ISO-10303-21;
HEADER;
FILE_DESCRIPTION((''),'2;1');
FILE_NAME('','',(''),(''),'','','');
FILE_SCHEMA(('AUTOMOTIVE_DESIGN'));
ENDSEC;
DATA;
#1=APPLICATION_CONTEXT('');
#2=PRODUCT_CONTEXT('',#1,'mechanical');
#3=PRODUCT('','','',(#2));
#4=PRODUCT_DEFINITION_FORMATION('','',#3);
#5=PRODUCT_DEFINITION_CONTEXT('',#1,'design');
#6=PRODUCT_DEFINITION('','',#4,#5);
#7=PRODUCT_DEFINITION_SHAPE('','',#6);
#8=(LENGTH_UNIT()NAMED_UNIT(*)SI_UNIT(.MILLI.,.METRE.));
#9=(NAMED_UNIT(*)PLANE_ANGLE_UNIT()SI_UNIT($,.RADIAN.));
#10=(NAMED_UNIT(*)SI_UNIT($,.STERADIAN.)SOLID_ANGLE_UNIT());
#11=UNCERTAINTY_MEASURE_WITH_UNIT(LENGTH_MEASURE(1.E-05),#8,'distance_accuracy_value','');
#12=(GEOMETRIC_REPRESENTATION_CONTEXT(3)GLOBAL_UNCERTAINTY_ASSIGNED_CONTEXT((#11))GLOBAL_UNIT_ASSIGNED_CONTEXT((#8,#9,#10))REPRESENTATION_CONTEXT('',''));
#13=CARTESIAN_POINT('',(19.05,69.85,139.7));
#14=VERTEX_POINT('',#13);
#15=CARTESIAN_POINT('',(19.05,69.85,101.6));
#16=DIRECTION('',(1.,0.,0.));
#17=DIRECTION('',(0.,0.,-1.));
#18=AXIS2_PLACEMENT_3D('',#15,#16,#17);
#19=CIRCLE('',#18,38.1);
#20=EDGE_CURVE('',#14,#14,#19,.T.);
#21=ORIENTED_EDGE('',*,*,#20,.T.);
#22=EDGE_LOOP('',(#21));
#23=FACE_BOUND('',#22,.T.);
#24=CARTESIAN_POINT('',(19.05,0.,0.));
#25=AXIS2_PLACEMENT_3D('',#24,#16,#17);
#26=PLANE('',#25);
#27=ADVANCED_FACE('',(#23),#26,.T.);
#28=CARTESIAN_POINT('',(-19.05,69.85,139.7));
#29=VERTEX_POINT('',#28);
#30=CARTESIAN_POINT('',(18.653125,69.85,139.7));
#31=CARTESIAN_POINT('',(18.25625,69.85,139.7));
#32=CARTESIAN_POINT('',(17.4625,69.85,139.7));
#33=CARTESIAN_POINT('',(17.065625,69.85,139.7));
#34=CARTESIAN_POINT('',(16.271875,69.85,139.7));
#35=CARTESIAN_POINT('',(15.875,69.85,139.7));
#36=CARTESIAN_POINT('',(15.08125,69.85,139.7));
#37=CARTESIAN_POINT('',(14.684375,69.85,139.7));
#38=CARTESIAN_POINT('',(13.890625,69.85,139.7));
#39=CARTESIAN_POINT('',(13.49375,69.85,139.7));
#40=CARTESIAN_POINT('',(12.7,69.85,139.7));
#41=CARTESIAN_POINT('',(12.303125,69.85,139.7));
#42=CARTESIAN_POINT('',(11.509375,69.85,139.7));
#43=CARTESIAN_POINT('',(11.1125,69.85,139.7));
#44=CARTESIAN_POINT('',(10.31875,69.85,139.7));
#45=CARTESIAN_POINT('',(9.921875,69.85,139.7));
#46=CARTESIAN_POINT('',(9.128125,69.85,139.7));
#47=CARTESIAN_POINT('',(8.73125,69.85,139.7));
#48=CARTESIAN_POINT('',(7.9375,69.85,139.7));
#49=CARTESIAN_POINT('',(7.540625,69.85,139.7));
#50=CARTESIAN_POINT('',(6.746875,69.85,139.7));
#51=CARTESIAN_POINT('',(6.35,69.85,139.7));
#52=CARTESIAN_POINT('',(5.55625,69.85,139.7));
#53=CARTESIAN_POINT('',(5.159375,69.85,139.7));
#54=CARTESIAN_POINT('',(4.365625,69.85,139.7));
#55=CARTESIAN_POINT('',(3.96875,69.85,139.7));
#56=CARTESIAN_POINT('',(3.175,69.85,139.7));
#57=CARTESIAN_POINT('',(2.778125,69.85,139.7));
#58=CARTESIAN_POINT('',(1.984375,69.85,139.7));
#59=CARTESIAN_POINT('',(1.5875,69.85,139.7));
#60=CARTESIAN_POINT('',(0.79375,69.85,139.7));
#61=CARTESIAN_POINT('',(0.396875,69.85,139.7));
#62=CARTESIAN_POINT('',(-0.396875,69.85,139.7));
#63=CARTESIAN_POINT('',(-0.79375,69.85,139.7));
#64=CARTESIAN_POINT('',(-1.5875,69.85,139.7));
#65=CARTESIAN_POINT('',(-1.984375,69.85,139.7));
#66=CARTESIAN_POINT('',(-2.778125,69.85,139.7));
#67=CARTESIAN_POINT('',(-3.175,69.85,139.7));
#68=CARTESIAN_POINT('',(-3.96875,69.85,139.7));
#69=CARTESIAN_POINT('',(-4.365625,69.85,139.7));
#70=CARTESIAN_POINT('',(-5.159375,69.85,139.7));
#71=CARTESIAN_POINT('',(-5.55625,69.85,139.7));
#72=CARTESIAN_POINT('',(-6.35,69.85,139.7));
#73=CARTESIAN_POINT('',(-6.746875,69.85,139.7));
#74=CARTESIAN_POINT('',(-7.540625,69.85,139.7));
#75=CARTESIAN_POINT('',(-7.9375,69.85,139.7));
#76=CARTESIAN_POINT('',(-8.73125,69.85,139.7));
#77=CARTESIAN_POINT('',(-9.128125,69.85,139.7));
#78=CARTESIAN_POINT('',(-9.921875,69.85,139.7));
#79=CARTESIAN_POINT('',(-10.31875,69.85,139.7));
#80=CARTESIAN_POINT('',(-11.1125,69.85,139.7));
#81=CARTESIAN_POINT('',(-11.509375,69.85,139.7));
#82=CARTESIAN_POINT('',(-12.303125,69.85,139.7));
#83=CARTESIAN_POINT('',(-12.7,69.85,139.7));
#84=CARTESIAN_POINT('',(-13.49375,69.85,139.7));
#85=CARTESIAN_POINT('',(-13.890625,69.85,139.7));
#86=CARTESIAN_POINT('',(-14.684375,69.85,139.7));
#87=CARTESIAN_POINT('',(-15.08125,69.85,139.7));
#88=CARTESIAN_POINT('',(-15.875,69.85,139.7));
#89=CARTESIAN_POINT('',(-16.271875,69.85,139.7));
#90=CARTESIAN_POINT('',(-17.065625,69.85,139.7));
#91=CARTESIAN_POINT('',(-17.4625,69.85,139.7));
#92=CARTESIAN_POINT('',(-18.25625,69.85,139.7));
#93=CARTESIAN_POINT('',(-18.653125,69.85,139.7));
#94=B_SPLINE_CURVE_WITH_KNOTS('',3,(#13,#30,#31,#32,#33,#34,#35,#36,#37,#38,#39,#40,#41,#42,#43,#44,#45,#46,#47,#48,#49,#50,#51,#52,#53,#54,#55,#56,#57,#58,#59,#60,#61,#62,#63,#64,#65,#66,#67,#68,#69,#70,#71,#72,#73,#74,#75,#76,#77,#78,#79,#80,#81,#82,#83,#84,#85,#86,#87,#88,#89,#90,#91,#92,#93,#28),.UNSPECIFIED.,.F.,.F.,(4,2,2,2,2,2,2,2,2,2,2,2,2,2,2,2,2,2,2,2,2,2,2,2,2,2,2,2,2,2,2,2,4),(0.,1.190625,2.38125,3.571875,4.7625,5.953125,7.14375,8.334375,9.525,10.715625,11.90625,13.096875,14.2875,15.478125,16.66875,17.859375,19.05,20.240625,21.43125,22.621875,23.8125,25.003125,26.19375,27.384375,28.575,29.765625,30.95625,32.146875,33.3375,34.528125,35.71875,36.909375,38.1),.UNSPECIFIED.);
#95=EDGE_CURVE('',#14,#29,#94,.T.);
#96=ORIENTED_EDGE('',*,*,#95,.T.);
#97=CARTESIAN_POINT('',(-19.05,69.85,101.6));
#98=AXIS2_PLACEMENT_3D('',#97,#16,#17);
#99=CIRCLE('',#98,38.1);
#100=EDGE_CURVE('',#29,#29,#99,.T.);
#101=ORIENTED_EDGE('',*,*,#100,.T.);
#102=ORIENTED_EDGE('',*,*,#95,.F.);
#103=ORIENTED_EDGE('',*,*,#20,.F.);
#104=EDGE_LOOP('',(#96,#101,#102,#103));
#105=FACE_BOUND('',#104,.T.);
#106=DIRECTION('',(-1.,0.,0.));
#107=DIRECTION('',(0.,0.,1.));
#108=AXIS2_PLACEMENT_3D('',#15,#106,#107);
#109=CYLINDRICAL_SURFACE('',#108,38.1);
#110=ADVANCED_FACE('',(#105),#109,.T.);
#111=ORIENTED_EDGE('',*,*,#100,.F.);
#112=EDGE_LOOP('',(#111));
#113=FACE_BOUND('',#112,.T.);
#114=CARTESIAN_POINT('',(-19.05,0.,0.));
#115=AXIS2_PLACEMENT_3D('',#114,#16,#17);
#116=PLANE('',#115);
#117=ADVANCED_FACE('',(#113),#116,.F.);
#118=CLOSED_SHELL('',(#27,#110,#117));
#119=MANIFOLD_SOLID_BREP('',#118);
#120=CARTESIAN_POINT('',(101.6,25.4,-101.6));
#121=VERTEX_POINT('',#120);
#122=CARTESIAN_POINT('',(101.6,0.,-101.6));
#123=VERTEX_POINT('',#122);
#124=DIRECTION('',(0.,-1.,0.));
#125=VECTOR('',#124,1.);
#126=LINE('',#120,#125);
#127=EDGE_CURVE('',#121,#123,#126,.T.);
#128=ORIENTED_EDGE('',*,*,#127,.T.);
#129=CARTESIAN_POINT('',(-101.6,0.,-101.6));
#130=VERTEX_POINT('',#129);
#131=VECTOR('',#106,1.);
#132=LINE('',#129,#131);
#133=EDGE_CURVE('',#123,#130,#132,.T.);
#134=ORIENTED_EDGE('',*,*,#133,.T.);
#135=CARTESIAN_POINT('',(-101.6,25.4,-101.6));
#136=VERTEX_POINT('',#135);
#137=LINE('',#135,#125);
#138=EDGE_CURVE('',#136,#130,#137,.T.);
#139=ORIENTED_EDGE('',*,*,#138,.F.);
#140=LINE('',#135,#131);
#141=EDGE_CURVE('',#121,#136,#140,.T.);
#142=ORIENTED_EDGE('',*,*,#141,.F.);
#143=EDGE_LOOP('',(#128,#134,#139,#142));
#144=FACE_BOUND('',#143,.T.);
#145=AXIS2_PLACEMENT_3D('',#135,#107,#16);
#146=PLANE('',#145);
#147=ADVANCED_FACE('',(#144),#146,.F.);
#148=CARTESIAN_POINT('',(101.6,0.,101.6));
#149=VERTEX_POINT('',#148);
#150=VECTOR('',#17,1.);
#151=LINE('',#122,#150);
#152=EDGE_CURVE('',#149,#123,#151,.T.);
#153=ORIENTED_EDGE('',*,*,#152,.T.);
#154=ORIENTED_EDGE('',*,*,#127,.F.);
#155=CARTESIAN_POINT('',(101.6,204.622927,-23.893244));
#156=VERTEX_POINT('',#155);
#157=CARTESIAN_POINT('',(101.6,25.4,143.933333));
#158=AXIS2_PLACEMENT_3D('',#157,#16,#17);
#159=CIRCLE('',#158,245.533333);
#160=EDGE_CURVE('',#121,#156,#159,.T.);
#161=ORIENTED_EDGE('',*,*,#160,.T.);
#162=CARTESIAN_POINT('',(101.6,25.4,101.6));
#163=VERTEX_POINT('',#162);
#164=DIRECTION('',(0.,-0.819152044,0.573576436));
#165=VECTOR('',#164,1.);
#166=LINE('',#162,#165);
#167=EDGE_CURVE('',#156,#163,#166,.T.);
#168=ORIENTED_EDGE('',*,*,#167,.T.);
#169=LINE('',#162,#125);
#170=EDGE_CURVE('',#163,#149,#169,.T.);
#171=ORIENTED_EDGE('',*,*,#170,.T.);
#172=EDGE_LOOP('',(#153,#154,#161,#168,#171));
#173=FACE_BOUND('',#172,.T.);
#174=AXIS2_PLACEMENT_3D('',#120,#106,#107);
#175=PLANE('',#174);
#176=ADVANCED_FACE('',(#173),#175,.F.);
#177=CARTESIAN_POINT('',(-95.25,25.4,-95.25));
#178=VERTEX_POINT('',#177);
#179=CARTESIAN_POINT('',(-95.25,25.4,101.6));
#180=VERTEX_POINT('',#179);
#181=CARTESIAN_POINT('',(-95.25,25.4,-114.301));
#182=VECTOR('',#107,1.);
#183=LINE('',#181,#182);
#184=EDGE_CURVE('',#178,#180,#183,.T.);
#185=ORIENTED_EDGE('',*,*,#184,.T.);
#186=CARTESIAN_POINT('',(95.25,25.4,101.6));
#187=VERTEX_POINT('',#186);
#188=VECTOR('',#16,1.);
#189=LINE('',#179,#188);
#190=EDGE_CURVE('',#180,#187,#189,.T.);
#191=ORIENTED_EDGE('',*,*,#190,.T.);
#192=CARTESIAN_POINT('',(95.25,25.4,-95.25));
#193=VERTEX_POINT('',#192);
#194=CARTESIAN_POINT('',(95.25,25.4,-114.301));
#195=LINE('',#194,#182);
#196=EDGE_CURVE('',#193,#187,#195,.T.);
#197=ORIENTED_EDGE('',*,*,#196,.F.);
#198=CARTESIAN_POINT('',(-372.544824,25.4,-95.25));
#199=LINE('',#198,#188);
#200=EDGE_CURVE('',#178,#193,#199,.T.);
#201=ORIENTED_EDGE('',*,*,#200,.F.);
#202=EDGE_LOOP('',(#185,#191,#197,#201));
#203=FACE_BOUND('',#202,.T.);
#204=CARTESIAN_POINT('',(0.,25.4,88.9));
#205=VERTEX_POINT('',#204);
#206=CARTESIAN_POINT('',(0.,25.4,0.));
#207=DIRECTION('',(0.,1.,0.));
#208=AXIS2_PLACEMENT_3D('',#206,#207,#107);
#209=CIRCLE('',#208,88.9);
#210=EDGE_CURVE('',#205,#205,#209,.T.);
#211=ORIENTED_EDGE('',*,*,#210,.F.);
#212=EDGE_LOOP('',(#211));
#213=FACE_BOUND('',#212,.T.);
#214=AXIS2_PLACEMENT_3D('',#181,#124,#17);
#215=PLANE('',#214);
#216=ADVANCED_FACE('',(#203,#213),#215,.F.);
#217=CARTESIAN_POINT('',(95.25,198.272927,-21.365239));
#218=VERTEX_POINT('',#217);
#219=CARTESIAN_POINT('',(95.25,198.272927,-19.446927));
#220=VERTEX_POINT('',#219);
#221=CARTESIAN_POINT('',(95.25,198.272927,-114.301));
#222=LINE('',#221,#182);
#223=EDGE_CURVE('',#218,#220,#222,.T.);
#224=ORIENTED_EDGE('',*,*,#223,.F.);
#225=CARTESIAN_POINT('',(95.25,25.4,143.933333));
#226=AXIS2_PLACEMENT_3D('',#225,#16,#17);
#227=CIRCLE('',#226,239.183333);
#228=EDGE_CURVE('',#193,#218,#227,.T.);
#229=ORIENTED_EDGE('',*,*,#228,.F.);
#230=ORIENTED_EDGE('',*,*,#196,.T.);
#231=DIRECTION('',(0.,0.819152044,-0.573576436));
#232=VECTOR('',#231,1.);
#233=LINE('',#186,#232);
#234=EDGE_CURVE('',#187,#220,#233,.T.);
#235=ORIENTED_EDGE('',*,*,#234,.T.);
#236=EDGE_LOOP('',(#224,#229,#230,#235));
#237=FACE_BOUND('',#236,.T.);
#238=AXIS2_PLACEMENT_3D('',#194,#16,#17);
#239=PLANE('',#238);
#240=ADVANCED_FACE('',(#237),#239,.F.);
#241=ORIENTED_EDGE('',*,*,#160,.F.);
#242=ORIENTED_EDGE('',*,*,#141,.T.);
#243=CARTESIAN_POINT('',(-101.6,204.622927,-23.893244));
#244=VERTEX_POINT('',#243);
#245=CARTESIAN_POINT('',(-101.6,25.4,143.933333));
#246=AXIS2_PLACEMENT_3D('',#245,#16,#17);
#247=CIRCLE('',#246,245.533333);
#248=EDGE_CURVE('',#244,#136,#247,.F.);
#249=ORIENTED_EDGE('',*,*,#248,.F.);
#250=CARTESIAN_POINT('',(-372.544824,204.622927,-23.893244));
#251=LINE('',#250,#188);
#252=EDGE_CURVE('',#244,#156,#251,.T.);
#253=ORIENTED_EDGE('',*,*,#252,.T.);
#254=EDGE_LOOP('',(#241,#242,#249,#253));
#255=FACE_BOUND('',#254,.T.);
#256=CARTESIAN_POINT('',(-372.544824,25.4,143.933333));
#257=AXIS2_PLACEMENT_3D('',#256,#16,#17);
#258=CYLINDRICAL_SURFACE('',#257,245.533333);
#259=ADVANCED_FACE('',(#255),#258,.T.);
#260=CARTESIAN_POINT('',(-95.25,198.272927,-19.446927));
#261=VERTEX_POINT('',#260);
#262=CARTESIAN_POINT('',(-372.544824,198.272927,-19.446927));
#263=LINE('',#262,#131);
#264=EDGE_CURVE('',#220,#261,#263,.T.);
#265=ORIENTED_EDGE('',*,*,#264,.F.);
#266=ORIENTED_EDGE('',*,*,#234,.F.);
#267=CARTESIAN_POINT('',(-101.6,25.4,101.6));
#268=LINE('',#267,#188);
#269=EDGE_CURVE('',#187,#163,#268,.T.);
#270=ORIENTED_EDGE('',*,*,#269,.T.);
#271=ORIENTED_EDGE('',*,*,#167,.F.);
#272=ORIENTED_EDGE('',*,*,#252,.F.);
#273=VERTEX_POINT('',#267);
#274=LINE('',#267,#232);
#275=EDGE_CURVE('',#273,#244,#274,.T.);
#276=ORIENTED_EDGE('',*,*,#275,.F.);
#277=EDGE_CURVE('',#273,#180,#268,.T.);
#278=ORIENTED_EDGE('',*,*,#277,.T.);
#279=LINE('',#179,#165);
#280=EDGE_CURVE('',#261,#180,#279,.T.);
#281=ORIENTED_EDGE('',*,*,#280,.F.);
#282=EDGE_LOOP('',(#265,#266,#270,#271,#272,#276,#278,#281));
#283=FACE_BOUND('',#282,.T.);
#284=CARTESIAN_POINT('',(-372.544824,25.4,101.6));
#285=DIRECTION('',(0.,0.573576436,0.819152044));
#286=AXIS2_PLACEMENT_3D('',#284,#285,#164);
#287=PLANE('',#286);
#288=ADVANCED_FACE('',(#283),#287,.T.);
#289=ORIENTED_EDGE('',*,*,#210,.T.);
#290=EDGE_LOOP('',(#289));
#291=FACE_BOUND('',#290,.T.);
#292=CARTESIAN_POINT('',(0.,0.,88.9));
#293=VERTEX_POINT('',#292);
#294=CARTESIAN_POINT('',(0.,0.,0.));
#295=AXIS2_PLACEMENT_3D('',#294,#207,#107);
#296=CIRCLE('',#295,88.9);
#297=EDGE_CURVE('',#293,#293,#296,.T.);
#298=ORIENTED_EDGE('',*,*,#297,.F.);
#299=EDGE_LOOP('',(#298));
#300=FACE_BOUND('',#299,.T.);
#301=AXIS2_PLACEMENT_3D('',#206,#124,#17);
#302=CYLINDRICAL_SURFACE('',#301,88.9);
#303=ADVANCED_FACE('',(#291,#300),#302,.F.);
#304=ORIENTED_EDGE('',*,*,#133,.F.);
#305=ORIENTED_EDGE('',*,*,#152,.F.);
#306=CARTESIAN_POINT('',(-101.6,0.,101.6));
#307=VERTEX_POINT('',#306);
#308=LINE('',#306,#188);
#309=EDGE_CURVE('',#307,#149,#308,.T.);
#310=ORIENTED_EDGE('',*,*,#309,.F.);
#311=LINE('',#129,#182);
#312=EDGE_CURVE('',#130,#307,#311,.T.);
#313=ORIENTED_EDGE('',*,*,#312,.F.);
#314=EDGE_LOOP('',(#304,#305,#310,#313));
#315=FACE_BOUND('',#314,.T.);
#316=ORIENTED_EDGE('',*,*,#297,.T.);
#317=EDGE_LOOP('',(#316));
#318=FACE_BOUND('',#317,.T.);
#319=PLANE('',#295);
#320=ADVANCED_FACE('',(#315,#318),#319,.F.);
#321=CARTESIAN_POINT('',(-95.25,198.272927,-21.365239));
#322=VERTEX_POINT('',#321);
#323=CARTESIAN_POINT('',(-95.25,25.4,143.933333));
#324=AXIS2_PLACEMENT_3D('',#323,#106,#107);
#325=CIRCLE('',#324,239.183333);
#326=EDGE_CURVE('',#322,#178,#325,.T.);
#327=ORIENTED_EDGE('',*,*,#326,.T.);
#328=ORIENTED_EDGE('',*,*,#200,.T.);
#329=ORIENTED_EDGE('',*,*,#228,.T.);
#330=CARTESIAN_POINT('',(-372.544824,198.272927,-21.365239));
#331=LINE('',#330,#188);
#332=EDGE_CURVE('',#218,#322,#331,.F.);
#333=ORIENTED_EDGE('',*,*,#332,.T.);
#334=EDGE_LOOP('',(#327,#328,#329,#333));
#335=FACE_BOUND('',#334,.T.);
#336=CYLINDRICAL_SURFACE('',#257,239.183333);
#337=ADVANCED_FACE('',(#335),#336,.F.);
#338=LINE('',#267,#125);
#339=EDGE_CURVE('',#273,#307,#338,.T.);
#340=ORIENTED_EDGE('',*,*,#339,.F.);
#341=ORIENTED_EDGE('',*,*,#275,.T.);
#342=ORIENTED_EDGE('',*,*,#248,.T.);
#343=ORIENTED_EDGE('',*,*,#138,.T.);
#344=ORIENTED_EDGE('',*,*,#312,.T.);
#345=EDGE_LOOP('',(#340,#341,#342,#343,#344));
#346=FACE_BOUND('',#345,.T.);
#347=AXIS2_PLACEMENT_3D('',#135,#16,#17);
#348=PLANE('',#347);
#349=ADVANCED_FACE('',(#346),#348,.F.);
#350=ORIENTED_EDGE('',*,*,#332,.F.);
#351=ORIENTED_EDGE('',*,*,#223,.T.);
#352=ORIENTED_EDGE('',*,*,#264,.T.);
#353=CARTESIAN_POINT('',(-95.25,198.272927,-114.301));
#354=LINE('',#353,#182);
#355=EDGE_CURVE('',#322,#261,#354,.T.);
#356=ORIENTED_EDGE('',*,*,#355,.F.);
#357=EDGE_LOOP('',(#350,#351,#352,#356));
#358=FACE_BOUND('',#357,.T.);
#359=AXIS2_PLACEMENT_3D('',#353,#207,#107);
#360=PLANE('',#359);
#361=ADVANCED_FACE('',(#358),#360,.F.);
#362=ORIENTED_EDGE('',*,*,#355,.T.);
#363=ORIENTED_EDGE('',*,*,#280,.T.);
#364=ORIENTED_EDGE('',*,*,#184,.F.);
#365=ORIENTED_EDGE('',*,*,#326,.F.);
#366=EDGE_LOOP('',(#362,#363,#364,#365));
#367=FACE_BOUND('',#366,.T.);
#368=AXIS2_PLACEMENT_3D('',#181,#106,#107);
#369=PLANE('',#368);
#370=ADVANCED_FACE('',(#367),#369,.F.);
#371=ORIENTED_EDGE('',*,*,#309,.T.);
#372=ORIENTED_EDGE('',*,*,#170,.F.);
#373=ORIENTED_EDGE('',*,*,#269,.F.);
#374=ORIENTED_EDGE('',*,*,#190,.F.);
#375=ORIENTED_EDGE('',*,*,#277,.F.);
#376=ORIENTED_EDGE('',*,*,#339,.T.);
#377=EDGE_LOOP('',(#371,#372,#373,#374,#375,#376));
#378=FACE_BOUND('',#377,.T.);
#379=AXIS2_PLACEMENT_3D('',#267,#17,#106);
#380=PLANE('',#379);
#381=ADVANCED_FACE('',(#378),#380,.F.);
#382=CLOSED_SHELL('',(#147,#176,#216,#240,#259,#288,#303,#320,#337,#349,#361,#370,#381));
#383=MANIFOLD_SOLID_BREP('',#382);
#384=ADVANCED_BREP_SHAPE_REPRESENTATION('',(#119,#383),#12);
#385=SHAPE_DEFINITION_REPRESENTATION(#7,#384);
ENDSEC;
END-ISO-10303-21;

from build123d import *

# Parameters (mm, degrees)
SKETCH2_W               = 203.2
SKETCH2_H               = 203.2
SKETCH2_R               = 88.9
BOSS_EXTRUDE1_DEPTH     = 25.4
BOSS_EXTRUDE2_DEPTH     = 203.2
CUT_EXTRUDE3_REACH      = 307.75
CUT_EXTRUDE3_END_RADIUS = 239.183333333
SKETCH5_W               = 190.5
SKETCH5_H               = 172.872926977
BOSS_EXTRUDE3_DEPTH     = 19.05


with BuildPart() as part:
    # Sketch2 → Boss-Extrude1 (new body)
    with BuildSketch(Plane(origin=(0, 0, 0), x_dir=(1, 0, 0), z_dir=(0, 1, 0))):
        Rectangle(SKETCH2_W, SKETCH2_H)
        with Locations(Location((0, 0, 0), (0, 0, 270))):
            Circle(SKETCH2_R, mode=Mode.SUBTRACT)
    extrude(amount=BOSS_EXTRUDE1_DEPTH)

    # Sketch3 → Boss-Extrude2 (add)
    with BuildSketch(Plane(origin=(101.6, 0, 0), x_dir=(0, 0, -1), z_dir=(1, 0, 0))):
        with BuildLine():
            Line((-101.6, 25.4), (23.893244489, 204.622926977))
            ThreePointArc((23.893244489, 204.622926977), (81.337211626, 123.071896426), (101.6, 25.4))
            Line((101.6, 25.4), (-101.6, 25.4))
        make_face()
    extrude(amount=-BOSS_EXTRUDE2_DEPTH)

    # Cut-Extrude3: up to this cylinder (the profile starts inside it)
    cut_extrude3_end = Plane(origin=(0, 25.4, 143.933333333), z_dir=(1, 0, 0)) * Cylinder(CUT_EXTRUDE3_END_RADIUS, 1094.866666667, mode=Mode.PRIVATE)
    # Sketch5 → Cut-Extrude3 (cut, up to the surface)
    with BuildSketch(Plane.XY.offset(101.6), mode=Mode.PRIVATE) as cut_extrude3_sk1:
        with Locations((0, 111.836463489)):
            Rectangle(SKETCH5_W, SKETCH5_H)
    cut_extrude3_tool1 = extrude(cut_extrude3_sk1.sketch, amount=-CUT_EXTRUDE3_REACH, mode=Mode.PRIVATE) & cut_extrude3_end
    add(cut_extrude3_tool1.solids().sort_by_distance((0, 111.836463, 101.6))[0], mode=Mode.SUBTRACT)


with BuildPart() as body_2:
    # Sketch6 → Boss-Extrude3 (new, symmetric)
    with BuildSketch(Plane(origin=(0, 0, 0), x_dir=(0, 0, -1), z_dir=(1, 0, 0))):
        with BuildLine():
            ThreePointArc((-63.5, 69.85), (-63.744790714, 74.161975174), (-64.476017317, 78.41854187))
            Line((-64.476017317, 78.41854187), (-96.954645689, 32.0342535))
            ThreePointArc((-96.954645689, 32.0342535), (-73.06407528, 44.604980682), (-63.5, 69.85))
        make_face()
        with BuildLine():
            Line((-96.954645689, 32.0342535), (-64.476017317, 78.41854187))
            ThreePointArc((-64.476017317, 78.41854187), (-132.809692887, 91.703262225), (-96.954645689, 32.0342535))
        make_face()
    extrude(amount=BOSS_EXTRUDE3_DEPTH, both=True)


solid = Compound([part.part, body_2.part])
